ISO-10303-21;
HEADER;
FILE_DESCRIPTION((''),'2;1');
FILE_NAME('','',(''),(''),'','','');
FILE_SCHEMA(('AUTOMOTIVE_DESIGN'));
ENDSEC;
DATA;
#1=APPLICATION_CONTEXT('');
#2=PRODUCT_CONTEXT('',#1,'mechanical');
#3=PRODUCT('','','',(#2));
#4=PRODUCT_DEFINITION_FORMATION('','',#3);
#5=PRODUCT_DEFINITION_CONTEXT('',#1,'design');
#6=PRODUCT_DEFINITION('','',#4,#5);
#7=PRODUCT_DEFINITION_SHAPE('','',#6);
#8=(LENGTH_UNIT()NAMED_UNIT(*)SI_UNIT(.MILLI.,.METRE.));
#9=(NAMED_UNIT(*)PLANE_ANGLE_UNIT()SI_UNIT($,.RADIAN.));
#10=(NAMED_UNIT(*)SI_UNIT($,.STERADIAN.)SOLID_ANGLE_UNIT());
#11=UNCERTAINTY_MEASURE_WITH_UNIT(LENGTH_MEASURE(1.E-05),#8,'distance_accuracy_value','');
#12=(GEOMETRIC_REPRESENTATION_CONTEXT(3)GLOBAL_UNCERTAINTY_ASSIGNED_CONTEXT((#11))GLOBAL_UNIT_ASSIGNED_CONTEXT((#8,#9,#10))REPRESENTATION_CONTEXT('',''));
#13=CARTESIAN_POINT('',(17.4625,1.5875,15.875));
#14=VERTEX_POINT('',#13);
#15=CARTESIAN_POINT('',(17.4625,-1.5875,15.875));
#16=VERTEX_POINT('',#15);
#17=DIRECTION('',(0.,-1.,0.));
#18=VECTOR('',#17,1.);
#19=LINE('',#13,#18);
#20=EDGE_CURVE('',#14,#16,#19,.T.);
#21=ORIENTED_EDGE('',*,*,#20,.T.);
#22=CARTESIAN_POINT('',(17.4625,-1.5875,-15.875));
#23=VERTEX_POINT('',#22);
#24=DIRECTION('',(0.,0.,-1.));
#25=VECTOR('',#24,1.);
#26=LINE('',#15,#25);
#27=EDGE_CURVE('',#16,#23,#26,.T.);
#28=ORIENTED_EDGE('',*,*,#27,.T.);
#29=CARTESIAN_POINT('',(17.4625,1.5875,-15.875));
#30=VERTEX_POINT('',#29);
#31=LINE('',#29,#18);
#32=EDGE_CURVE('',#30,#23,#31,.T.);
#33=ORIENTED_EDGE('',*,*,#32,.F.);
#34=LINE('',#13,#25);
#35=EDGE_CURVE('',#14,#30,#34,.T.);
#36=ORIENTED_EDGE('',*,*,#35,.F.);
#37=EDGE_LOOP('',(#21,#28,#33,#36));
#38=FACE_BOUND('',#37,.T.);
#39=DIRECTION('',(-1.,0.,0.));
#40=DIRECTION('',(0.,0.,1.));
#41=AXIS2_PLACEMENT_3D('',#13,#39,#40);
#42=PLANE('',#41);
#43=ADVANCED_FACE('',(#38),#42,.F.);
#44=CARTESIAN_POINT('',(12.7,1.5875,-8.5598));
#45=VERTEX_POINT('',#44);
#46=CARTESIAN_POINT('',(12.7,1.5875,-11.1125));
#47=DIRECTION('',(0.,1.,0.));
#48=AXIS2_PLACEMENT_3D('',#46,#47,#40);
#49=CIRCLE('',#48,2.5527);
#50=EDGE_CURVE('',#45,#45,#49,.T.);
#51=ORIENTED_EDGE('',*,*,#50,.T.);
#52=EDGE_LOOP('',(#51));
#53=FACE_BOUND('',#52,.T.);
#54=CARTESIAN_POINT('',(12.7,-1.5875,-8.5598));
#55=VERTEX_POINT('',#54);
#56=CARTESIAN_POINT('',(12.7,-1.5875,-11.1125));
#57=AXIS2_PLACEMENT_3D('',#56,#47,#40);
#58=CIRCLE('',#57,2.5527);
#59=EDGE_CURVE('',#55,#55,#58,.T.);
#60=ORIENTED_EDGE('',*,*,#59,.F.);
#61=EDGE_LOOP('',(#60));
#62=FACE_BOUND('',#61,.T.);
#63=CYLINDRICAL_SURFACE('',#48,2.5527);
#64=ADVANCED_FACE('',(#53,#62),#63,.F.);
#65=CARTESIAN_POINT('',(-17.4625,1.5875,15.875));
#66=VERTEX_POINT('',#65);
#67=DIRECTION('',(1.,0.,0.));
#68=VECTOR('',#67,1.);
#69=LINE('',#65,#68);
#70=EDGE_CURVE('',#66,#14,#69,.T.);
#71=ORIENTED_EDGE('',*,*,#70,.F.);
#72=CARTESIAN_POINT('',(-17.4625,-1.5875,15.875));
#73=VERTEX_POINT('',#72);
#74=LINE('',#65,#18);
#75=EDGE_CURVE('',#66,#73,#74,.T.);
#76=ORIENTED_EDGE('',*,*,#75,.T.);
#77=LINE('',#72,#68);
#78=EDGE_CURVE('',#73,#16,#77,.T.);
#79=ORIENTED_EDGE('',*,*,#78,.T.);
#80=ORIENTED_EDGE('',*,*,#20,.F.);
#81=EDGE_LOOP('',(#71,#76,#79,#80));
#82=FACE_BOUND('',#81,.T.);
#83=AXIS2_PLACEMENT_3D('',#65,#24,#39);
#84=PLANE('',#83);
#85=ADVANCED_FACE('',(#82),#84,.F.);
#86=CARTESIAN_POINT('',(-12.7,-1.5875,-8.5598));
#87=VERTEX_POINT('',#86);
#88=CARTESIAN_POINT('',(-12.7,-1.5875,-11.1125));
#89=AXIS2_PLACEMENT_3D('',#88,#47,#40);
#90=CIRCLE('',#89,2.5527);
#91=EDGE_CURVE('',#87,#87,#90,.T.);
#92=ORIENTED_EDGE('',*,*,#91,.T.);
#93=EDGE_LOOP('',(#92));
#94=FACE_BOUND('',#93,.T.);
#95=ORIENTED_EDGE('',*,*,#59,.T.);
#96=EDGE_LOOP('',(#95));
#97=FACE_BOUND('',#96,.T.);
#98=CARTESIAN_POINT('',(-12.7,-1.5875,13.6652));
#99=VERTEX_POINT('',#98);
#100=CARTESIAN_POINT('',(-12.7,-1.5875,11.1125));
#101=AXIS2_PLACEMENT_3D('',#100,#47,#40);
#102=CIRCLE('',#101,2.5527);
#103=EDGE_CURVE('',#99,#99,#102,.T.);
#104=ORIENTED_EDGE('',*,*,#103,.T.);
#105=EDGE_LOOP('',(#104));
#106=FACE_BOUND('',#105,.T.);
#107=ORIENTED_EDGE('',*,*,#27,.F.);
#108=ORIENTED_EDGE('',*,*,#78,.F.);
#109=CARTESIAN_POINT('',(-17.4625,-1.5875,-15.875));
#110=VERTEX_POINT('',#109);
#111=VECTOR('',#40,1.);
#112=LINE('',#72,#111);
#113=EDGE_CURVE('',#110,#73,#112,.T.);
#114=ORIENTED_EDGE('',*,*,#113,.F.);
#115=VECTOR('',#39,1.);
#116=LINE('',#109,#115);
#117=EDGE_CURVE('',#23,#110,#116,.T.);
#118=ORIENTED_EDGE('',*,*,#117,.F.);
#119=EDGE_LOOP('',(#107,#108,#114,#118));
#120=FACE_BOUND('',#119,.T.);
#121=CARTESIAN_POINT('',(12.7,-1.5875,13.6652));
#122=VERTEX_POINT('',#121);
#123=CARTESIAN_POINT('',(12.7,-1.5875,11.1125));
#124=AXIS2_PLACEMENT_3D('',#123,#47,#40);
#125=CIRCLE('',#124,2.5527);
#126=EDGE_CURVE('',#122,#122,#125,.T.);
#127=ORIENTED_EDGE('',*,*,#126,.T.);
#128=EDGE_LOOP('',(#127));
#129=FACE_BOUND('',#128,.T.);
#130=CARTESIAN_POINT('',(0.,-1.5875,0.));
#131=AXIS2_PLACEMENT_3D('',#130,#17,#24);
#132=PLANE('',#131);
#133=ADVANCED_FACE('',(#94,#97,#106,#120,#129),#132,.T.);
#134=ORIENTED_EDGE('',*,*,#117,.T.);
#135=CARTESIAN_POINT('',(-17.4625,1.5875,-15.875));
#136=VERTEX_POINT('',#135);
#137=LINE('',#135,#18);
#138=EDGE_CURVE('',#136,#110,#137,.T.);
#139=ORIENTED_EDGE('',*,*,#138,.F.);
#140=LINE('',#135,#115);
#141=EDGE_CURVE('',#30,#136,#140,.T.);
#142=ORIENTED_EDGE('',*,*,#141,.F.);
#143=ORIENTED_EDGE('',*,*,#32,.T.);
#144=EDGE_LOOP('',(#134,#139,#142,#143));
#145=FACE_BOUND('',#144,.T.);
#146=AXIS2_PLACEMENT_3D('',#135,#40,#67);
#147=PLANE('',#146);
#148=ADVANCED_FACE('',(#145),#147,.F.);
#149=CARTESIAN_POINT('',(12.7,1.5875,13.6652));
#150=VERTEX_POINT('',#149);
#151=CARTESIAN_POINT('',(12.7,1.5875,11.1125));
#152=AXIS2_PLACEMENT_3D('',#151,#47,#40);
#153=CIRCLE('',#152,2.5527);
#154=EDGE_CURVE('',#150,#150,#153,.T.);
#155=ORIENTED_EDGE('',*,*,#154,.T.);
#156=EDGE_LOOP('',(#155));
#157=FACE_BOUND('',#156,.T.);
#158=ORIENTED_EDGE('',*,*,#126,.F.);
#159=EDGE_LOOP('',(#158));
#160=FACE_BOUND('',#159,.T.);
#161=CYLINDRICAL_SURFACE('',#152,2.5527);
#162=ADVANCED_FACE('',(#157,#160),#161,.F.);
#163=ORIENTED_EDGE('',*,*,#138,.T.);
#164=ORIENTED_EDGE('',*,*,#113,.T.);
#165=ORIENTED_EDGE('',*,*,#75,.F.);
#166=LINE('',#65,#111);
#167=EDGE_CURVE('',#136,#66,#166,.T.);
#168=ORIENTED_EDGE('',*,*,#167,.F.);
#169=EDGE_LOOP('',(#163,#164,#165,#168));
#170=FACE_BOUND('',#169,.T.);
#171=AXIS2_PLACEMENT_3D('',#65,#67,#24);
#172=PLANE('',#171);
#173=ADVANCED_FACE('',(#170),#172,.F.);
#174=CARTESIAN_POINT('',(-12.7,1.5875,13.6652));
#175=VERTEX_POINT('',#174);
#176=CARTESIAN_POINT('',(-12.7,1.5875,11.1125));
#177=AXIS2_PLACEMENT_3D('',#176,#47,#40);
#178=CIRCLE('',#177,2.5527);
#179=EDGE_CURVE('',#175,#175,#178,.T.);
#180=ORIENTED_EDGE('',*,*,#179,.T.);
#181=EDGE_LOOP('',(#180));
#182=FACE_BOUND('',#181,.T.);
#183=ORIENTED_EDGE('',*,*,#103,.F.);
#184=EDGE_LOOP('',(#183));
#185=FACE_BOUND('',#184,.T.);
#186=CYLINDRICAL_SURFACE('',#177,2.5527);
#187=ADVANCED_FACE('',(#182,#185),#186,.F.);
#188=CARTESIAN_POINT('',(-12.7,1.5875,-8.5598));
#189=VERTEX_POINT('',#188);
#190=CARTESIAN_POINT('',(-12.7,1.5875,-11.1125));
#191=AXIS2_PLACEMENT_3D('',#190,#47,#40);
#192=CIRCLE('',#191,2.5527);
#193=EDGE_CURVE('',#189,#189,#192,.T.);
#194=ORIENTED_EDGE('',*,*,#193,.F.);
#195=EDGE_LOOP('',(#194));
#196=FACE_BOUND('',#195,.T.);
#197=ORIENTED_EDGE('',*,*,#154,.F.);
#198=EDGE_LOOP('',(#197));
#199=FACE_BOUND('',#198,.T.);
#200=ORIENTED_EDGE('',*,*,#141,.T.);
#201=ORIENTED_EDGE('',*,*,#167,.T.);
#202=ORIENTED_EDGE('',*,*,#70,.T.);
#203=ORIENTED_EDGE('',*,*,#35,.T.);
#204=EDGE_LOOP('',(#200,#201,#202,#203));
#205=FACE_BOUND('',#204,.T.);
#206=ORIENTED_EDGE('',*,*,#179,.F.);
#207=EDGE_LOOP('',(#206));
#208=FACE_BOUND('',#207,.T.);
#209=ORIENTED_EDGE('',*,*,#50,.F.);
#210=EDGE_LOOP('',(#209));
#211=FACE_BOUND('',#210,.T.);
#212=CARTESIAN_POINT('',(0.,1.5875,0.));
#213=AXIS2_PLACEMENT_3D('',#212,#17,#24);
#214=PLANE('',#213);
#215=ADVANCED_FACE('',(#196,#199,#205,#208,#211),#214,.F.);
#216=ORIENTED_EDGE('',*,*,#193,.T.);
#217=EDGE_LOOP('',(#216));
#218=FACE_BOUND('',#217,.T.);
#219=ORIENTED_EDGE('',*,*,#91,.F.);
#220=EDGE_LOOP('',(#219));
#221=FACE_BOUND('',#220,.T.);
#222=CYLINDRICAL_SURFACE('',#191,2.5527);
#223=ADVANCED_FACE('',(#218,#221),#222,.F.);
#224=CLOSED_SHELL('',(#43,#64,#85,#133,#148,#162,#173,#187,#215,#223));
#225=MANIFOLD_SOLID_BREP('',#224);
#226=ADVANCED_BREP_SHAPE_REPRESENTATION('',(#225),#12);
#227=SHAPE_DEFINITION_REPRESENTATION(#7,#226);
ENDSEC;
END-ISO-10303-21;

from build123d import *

# Parameters (mm, degrees)
SKETCH1_W              = 34.925
SKETCH1_H              = 31.75
PLATE_DEPTH            = 1.5875
F_10_CLEARANCE_HOLE1_D = 5.1054


with BuildPart() as part:
    # Sketch1 → Plate (new, symmetric)
    with BuildSketch(Plane(origin=(0, 0, 0), x_dir=(1, 0, 0), z_dir=(0, 1, 0))):
        Rectangle(SKETCH1_W, SKETCH1_H)
    extrude(amount=PLATE_DEPTH, both=True)

    # #10 Clearance Hole1 (through all)
    with Locations(Plane(origin=(0, 1.5875, 0), x_dir=(1, 0, 0), z_dir=(0, 1, 0))):
        with Locations((-12.7, 11.1125), (12.7, 11.1125), (12.7, -11.1125), (-12.7, -11.1125)):
            Hole(F_10_CLEARANCE_HOLE1_D / 2)


solid = part.part
